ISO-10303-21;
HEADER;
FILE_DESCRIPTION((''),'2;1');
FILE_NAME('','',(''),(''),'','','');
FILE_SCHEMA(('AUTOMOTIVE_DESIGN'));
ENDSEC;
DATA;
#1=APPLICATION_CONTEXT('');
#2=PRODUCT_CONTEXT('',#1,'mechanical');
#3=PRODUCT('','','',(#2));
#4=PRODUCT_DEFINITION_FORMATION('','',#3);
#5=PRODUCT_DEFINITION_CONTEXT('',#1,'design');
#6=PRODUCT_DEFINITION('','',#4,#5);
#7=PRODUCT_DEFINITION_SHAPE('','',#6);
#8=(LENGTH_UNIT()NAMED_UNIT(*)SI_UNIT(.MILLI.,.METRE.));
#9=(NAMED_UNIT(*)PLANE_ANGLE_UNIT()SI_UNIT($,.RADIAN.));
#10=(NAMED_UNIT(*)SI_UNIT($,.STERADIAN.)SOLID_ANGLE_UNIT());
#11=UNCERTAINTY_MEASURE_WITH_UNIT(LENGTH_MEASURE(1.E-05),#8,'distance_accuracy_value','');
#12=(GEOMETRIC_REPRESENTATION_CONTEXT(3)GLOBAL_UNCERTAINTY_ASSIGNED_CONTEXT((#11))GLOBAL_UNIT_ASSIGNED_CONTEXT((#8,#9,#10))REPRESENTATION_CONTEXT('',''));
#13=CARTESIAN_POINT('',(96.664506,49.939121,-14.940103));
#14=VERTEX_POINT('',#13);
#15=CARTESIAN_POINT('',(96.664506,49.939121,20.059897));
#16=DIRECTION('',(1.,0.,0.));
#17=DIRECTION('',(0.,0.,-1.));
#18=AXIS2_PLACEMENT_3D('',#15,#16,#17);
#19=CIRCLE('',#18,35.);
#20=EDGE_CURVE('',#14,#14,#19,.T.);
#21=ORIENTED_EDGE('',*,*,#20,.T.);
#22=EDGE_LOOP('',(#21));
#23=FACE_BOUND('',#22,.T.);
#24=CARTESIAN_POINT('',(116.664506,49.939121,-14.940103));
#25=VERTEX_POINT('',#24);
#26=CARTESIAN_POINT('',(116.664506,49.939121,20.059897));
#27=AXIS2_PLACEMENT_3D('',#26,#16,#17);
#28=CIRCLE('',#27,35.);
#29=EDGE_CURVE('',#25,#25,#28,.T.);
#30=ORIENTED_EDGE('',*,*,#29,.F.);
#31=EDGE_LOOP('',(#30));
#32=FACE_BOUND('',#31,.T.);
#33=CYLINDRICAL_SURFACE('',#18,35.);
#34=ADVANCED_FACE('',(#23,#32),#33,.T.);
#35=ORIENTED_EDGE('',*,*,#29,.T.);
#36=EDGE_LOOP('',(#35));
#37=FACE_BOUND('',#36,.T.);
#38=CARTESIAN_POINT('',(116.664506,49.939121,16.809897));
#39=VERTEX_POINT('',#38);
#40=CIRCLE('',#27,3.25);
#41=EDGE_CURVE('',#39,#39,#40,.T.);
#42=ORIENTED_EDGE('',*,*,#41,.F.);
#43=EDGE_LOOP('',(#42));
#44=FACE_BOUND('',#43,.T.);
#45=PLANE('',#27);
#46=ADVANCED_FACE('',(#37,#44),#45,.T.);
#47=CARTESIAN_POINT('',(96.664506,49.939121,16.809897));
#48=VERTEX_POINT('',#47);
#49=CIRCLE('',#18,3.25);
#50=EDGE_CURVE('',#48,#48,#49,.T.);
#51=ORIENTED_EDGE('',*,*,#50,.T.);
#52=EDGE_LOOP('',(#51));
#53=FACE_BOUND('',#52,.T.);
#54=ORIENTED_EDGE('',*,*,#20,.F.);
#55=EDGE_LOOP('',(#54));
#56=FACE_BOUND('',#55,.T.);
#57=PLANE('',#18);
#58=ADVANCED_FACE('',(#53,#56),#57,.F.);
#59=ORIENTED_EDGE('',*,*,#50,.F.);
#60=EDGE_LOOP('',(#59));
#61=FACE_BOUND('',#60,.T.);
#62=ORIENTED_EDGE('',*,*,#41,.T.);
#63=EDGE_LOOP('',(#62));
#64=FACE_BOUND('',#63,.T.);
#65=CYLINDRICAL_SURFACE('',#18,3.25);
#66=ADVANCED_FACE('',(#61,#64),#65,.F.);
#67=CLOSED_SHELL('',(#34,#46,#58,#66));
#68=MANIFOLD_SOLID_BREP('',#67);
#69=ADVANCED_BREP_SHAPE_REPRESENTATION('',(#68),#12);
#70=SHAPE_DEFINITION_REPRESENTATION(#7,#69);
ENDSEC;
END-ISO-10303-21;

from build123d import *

# Parameters (mm, degrees)
EXTRUDE_1_DEPTH      = 10
EXTRUDE_1_DEPTH_BACK = 10
SKETCH_1_R           = 35
SKETCH_1_R_2         = 3.25


with BuildPart() as part:
    # 스케치1 → 보스-돌출1 (new, two sides: drawn at the far end of the back side and taken through both)
    with BuildSketch(Plane(origin=(106.66450597, 0, 0), x_dir=(0, 0, -1), z_dir=(1, 0, 0)).offset(-EXTRUDE_1_DEPTH_BACK)):
        with Locations((-20.05989737, 49.939120705)):
            Circle(SKETCH_1_R)
        with Locations((-20.05989737, 49.939120705)):
            Circle(SKETCH_1_R_2, mode=Mode.SUBTRACT)
    extrude(amount=EXTRUDE_1_DEPTH + EXTRUDE_1_DEPTH_BACK)


solid = part.part
